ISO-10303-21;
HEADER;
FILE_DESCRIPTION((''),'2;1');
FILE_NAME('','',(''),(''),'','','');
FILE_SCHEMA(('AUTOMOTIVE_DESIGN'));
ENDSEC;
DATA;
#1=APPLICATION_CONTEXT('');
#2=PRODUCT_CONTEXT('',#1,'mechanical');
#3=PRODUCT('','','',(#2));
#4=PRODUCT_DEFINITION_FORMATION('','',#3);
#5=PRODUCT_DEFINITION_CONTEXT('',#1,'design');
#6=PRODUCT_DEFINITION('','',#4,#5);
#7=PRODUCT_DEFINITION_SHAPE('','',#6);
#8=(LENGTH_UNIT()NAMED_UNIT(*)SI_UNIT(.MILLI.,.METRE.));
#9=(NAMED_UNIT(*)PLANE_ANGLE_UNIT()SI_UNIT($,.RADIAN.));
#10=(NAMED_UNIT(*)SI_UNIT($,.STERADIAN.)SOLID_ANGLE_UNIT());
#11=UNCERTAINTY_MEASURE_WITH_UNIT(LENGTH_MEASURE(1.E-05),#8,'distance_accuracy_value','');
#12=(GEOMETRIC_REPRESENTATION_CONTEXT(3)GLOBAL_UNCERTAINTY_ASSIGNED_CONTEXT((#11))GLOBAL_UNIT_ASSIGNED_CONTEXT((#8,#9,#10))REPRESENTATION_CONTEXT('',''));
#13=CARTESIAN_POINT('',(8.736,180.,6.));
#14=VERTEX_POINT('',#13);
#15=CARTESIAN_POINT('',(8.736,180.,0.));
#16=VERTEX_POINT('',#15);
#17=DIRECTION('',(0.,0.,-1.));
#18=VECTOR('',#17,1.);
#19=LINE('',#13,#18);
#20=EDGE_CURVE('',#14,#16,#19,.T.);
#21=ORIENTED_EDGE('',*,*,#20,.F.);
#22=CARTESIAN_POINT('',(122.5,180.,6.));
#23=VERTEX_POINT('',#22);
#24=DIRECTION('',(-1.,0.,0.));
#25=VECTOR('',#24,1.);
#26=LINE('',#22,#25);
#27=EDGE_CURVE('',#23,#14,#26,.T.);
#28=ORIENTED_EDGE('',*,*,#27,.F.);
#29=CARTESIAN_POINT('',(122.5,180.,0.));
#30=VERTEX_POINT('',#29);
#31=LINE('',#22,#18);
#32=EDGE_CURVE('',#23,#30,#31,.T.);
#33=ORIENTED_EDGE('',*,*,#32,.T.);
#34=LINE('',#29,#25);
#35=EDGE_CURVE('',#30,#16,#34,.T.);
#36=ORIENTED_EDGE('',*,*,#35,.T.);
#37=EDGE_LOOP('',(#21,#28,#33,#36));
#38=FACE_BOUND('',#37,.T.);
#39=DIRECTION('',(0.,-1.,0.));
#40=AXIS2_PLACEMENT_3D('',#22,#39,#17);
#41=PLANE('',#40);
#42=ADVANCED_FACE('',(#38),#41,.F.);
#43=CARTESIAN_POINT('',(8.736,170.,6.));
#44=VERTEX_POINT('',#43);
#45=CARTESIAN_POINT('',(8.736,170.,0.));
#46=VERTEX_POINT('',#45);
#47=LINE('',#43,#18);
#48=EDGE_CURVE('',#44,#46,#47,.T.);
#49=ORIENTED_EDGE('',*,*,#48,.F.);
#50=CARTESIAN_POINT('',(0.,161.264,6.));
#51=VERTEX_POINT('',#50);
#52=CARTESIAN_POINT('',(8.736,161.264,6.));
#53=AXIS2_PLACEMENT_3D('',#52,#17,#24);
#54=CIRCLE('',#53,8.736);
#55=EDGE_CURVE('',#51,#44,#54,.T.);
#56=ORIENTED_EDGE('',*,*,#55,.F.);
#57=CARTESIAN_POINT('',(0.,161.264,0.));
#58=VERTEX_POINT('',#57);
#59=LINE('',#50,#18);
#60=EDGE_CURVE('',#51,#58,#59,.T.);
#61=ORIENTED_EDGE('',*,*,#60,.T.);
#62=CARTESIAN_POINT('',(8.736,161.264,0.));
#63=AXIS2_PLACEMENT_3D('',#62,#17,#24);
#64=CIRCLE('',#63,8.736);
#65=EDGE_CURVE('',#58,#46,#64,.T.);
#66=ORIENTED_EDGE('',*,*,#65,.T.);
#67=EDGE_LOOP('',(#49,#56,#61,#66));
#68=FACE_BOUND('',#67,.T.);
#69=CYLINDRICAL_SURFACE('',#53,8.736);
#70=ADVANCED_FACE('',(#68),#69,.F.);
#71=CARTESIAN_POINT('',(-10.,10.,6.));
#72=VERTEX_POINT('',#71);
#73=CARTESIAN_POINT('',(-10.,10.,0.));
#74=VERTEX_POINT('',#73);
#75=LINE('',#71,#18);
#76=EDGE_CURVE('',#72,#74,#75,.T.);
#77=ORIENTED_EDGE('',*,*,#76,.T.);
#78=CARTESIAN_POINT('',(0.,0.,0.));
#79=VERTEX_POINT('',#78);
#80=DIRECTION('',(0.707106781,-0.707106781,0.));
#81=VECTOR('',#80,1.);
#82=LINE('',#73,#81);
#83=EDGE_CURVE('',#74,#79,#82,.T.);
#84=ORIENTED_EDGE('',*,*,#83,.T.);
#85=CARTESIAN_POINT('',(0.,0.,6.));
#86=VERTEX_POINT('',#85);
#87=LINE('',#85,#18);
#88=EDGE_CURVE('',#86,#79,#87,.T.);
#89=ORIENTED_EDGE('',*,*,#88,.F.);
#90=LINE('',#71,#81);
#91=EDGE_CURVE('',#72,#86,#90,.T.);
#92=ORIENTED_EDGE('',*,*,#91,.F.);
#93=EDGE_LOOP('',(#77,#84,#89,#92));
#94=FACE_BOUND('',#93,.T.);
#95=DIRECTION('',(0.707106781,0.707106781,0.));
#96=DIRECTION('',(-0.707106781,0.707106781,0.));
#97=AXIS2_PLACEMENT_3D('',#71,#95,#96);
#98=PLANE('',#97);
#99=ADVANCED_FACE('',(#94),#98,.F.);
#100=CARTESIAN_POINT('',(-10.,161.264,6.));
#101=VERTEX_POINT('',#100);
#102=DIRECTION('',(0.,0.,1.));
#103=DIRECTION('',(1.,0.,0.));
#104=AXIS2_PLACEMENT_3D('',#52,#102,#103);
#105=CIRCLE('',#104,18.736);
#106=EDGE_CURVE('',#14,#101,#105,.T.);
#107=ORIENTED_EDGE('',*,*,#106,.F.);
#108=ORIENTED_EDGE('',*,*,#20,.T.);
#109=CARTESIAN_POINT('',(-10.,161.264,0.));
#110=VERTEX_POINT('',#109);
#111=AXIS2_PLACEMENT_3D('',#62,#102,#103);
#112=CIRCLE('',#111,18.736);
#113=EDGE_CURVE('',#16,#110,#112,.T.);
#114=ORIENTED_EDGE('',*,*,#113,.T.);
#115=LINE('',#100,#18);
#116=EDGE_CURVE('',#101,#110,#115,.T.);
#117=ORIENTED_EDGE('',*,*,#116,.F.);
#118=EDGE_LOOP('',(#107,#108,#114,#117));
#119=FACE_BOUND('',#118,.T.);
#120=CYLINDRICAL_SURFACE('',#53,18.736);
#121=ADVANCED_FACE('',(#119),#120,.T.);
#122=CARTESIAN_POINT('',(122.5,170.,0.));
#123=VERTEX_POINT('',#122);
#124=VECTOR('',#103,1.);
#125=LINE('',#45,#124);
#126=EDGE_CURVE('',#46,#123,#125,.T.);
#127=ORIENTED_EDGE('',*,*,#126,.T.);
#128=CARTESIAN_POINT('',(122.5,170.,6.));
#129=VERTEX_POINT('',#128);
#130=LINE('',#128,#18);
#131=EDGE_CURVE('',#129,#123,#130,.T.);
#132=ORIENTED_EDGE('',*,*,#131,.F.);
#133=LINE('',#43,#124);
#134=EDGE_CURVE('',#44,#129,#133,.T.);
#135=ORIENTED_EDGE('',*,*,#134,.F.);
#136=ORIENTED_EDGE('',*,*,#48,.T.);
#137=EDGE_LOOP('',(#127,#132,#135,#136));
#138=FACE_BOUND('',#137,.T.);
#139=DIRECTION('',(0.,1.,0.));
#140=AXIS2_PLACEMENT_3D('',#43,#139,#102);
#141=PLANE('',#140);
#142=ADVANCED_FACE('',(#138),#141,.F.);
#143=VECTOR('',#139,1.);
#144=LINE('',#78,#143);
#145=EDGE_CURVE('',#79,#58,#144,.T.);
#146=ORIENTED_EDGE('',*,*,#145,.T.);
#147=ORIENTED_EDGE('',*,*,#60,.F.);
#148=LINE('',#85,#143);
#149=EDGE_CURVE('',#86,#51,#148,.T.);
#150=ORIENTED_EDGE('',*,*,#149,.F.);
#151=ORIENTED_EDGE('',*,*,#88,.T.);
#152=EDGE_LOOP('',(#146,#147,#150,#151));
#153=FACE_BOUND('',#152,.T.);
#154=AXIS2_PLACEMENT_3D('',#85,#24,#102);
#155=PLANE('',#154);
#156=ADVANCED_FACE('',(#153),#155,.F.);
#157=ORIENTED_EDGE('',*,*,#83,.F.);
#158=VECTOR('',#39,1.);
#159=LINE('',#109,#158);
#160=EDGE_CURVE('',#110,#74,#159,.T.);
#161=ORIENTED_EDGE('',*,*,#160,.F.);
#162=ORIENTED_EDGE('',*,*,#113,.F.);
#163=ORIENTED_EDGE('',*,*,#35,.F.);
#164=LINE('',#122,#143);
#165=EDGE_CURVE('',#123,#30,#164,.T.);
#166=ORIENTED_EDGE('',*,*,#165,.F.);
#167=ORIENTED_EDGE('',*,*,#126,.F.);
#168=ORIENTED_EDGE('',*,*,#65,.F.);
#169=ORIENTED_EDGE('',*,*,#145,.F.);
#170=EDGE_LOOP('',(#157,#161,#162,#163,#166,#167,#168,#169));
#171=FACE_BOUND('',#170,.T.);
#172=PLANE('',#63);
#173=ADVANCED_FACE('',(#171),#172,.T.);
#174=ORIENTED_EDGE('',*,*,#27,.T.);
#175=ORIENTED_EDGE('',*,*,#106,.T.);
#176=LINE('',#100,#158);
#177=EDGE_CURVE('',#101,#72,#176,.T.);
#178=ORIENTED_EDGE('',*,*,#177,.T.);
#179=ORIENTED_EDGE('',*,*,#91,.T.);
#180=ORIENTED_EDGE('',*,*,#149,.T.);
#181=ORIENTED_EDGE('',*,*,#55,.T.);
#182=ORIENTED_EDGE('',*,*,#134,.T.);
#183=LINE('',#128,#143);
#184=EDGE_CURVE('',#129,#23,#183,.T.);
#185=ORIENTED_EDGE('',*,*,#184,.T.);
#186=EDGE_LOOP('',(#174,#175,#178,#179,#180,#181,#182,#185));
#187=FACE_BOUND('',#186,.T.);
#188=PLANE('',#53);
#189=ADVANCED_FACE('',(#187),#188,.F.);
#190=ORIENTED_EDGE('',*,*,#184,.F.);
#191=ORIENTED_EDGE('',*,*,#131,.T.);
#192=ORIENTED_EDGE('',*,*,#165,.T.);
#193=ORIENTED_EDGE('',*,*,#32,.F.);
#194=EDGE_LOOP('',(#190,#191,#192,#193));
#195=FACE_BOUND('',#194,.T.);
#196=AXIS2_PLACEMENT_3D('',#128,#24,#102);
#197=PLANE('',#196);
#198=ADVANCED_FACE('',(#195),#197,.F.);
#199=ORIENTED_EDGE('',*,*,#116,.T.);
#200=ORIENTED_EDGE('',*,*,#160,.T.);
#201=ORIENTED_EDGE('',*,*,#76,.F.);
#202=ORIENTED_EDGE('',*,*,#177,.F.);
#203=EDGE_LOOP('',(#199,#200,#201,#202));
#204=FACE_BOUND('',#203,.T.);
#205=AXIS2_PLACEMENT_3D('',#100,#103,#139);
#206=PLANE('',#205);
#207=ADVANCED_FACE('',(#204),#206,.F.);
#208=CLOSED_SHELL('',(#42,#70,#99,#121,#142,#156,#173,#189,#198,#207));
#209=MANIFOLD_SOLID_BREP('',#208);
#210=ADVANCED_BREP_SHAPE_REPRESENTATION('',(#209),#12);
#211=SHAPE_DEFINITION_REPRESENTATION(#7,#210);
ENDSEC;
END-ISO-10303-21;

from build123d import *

# Parameters (mm, degrees)
SALIENTE_EXTRUIR1_DEPTH = 6


with BuildPart() as part:
    # Croquis1 → Saliente-Extruir1 (new body)
    with BuildSketch(Plane.XY):
        with BuildLine():
            Line((122.5, 180), (8.736, 180))
            ThreePointArc((8.736, 180), (-4.512352652, 174.512352652), (-10, 161.264))
            Line((-10, 161.264), (-10, 10))
            Line((-10, 10), (0, 0))
            Line((0, 0), (0, 161.264))
            ThreePointArc((0, 161.264), (2.55871516, 167.44128484), (8.736, 170))
            Line((8.736, 170), (122.5, 170))
            Line((122.5, 170), (122.5, 180))
        make_face()
    extrude(amount=SALIENTE_EXTRUIR1_DEPTH)


solid = part.part
